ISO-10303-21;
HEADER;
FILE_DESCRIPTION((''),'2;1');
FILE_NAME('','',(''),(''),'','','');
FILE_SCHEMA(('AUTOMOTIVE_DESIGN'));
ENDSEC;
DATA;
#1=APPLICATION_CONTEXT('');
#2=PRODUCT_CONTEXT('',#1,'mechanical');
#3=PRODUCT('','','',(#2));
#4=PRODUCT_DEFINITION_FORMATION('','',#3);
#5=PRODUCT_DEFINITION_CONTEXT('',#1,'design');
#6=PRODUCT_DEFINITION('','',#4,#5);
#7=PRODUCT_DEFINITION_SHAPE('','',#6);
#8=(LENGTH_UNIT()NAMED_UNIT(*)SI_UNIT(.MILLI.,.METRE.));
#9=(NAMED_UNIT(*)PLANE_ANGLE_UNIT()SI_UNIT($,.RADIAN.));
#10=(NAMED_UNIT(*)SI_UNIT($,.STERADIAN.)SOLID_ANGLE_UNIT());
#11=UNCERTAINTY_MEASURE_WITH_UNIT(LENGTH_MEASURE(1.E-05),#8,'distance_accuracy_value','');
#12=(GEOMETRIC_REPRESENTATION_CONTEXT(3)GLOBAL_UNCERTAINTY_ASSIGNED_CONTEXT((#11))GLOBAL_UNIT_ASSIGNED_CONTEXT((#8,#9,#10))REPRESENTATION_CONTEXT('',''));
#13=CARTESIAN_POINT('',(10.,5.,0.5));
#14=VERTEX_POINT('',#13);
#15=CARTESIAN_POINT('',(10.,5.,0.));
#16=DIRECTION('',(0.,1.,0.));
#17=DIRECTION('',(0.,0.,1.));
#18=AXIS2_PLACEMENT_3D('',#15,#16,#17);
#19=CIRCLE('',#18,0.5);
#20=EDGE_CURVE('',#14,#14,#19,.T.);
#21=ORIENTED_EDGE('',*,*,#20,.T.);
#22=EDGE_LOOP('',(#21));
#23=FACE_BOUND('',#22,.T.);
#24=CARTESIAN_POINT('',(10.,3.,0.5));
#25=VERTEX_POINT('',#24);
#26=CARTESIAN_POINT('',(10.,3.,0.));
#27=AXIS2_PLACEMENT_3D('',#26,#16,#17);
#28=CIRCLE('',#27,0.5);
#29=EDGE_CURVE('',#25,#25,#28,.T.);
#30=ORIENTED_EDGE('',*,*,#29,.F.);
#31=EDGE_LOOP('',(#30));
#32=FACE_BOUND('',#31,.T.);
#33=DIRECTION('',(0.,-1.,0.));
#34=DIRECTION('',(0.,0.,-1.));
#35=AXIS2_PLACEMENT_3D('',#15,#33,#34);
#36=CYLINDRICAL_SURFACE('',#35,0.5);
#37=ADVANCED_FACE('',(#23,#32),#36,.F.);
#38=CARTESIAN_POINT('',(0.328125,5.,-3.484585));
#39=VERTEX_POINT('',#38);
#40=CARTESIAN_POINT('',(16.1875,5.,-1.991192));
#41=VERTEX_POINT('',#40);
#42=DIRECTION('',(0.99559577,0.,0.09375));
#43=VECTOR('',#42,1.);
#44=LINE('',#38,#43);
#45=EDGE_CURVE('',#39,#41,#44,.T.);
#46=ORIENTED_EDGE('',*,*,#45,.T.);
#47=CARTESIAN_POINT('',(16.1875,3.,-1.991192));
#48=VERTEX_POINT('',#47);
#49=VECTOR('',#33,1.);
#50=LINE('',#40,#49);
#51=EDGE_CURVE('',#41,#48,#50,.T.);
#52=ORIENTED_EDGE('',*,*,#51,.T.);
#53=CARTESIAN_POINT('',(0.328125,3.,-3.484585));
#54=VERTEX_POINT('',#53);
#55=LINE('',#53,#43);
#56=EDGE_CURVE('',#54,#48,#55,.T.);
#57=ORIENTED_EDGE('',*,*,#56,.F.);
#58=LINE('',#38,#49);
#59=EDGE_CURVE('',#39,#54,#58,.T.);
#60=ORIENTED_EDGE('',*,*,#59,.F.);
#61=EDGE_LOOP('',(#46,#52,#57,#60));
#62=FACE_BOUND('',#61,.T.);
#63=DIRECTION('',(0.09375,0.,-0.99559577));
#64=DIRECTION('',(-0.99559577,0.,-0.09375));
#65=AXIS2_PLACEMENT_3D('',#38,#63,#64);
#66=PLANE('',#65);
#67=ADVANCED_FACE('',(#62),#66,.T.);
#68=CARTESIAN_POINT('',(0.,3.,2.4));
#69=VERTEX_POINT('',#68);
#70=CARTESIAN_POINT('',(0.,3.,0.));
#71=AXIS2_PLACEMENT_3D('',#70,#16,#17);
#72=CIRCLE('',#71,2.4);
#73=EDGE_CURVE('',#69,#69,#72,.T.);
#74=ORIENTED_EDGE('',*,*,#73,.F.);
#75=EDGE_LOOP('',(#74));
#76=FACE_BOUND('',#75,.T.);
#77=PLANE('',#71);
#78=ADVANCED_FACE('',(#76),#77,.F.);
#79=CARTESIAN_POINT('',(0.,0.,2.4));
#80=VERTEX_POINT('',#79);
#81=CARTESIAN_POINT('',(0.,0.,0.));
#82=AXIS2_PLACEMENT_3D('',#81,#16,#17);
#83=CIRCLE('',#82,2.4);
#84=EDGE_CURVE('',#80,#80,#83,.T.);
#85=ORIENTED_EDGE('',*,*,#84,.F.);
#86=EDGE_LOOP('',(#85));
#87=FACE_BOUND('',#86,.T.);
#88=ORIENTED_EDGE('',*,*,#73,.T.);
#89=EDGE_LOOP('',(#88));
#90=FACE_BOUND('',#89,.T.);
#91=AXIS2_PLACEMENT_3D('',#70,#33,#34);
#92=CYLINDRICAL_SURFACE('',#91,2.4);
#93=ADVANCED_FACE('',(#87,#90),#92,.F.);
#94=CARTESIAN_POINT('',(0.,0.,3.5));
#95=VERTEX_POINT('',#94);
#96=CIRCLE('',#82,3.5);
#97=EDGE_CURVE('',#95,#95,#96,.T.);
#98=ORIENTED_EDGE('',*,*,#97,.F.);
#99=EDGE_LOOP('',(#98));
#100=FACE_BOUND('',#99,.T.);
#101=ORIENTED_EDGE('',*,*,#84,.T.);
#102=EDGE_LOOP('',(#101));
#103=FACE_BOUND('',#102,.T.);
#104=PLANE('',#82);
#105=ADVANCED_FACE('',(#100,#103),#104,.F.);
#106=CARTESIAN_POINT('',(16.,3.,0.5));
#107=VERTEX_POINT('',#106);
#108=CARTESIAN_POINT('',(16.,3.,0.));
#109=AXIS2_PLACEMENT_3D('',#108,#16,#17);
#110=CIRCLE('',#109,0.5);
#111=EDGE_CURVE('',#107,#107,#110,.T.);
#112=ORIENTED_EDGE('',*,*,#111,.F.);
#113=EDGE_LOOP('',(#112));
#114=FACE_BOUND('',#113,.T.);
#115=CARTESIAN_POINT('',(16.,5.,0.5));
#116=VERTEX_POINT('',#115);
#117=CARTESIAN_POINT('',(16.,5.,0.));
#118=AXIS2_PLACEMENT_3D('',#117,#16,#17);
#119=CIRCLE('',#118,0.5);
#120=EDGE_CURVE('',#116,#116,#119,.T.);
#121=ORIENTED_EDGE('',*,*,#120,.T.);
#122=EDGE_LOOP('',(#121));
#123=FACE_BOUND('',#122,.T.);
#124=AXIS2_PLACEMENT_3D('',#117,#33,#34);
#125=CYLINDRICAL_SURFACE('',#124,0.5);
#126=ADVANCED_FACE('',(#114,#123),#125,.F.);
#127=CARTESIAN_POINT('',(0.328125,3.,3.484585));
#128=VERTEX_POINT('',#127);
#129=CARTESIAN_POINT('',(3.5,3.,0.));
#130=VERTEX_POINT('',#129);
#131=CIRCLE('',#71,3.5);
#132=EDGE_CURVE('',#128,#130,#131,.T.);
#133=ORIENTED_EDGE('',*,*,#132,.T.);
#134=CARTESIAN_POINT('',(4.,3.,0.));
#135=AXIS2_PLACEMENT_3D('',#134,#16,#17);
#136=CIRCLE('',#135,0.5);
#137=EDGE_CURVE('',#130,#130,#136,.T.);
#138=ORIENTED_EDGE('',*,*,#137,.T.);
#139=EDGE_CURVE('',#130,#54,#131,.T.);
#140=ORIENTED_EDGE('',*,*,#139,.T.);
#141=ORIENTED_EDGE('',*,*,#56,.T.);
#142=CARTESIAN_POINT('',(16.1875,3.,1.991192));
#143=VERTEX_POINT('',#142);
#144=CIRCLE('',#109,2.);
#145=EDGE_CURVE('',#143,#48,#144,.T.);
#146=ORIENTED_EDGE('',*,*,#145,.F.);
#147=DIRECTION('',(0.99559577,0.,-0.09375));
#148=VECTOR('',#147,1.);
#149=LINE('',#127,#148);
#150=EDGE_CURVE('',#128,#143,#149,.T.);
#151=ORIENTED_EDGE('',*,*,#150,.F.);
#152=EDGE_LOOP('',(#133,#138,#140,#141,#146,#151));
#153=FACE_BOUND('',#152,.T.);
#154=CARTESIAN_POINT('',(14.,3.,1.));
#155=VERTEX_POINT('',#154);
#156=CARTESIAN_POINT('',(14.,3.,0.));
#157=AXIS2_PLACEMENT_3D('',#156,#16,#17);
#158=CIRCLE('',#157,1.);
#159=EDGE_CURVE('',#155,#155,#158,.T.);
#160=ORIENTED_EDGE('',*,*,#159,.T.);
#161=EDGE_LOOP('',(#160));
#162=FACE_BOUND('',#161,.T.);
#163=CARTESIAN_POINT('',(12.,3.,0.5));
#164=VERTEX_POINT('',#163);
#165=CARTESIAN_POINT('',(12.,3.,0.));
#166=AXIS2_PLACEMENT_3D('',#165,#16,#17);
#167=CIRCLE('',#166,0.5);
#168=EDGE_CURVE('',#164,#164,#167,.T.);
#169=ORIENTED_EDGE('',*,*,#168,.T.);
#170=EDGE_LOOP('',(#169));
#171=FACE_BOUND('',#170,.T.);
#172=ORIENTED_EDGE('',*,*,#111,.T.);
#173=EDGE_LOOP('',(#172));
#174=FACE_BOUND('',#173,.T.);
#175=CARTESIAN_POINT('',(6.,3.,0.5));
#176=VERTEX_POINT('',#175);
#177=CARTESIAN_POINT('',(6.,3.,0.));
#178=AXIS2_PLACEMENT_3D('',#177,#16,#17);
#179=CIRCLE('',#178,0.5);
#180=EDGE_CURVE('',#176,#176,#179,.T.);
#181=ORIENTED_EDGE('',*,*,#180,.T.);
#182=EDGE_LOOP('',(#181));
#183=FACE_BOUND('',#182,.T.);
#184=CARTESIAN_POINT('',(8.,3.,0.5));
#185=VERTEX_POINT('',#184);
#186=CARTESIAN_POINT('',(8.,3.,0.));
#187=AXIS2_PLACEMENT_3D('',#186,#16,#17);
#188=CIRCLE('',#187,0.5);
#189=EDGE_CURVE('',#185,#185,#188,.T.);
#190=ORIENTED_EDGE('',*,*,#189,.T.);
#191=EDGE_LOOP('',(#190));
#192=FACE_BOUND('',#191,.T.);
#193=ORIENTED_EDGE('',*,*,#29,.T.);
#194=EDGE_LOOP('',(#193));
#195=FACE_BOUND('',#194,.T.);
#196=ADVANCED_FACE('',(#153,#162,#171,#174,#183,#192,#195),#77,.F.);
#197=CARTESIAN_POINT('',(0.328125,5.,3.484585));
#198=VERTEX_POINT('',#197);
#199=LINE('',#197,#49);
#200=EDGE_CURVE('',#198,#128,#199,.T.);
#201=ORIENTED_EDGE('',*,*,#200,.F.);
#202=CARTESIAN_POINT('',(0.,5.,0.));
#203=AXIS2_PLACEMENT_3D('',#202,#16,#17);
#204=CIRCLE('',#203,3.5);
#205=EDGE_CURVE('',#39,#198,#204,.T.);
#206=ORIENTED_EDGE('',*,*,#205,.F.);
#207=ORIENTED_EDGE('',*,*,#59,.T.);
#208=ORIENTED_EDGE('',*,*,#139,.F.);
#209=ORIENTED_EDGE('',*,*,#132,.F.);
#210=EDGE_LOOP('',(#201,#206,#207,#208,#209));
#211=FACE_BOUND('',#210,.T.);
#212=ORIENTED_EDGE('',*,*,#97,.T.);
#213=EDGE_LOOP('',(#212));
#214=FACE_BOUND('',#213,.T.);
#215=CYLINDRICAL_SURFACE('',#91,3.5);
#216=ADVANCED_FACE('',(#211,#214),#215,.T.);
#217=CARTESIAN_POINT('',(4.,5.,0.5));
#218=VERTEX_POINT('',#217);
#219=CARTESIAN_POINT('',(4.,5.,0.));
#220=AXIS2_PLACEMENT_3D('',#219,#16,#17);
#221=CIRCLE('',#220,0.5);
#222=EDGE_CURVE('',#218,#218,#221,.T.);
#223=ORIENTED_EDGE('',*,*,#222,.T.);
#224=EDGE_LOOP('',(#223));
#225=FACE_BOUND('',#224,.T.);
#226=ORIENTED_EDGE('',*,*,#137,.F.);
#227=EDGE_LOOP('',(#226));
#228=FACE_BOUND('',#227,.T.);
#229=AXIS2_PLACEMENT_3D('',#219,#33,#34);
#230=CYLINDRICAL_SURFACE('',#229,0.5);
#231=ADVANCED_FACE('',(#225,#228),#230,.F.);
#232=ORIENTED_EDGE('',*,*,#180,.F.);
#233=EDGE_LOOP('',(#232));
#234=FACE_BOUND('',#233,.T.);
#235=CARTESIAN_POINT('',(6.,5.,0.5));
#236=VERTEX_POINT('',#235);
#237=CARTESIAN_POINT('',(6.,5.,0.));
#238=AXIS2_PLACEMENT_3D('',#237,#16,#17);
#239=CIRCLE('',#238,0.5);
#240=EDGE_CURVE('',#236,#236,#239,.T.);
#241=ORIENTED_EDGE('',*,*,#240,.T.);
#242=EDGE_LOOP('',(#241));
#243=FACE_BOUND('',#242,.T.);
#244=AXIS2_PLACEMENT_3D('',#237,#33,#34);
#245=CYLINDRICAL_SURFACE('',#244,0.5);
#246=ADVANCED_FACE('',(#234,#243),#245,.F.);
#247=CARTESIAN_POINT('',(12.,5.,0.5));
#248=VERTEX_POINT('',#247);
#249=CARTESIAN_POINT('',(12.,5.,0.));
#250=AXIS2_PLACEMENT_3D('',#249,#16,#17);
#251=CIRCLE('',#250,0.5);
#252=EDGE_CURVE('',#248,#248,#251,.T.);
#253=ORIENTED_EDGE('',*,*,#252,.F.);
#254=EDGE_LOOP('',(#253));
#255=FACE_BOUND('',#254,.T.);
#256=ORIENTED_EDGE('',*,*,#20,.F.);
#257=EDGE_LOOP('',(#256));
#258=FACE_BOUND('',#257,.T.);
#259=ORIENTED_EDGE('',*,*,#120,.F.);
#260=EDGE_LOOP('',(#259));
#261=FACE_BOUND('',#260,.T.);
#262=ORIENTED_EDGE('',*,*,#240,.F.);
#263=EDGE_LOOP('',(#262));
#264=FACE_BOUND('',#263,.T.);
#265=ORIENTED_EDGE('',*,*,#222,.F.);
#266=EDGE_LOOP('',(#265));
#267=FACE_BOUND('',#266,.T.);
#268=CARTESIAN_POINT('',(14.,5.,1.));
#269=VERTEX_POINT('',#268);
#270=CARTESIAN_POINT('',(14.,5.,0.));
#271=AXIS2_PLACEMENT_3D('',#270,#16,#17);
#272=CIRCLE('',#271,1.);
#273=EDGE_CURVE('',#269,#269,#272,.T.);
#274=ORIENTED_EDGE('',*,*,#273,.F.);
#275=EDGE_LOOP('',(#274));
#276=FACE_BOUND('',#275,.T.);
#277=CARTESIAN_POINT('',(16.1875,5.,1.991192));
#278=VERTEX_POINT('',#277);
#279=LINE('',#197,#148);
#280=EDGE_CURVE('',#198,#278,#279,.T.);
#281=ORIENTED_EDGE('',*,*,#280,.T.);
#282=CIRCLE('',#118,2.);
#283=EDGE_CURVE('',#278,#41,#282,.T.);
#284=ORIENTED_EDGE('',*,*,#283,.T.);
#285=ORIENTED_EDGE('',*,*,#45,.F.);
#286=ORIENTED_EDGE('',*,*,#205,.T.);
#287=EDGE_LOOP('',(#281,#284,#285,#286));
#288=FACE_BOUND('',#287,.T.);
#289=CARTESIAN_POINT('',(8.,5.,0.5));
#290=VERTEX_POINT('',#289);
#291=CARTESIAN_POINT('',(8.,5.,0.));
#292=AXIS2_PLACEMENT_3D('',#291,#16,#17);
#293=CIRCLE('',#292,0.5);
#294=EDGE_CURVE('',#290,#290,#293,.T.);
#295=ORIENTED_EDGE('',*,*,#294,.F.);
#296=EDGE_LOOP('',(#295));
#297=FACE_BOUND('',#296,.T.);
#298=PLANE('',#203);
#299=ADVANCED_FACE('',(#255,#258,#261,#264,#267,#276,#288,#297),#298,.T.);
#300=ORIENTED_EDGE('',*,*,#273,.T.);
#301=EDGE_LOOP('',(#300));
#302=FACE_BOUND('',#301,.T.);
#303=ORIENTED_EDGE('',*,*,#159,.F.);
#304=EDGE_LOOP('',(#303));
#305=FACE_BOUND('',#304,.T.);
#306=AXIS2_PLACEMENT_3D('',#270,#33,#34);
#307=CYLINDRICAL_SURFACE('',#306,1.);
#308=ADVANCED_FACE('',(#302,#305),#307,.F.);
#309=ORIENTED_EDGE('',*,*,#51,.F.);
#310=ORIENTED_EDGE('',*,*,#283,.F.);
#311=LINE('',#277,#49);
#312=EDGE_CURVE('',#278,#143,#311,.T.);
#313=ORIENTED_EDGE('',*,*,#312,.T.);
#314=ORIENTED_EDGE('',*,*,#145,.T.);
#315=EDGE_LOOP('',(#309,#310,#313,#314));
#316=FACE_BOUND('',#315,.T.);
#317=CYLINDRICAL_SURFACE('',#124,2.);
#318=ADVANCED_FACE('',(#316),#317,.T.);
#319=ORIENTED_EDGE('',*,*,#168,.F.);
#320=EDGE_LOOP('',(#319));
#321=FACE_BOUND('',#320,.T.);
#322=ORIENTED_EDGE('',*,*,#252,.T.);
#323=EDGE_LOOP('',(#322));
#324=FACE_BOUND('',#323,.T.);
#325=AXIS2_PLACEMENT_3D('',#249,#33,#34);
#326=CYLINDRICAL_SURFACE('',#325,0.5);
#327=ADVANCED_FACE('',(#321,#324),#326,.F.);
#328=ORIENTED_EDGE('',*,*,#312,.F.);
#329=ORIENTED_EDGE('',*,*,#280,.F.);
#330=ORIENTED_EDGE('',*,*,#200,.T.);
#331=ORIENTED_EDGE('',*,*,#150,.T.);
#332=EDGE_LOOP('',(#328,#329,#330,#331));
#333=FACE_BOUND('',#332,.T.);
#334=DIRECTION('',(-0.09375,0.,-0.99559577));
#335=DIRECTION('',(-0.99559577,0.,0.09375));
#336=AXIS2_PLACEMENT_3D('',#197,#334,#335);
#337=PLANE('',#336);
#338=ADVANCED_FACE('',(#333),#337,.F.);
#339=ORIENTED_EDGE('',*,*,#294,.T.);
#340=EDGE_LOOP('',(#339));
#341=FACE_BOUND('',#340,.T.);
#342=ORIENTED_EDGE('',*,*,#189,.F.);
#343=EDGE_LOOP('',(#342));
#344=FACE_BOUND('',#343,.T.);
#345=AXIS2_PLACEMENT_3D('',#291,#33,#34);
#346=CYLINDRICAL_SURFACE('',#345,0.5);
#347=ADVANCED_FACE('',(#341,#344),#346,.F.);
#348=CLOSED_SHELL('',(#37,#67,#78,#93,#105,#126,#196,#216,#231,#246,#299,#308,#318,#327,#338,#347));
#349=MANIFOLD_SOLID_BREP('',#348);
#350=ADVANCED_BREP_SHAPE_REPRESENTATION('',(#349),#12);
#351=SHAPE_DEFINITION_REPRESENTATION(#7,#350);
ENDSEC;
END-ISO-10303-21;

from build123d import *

# Parameters (mm, degrees)
SKETCH1_R           = 3.5
SKETCH1_R_2         = 2.4
BOSS_EXTRUDE1_DEPTH = 3
SKETCH2_R           = 1
SKETCH2_R_2         = 0.5
BOSS_EXTRUDE2_DEPTH = 2


with BuildPart() as part:
    # Sketch1 → Boss-Extrude1 (new body)
    with BuildSketch(Plane(origin=(0, 0, 0), x_dir=(1, 0, 0), z_dir=(0, 1, 0))):
        with Locations(Location((0, 0, 0), (0, 0, 270))):
            Circle(SKETCH1_R)
        with Locations(Location((0, 0, 0), (0, 0, 270))):
            Circle(SKETCH1_R_2, mode=Mode.SUBTRACT)
    extrude(amount=BOSS_EXTRUDE1_DEPTH)

    # Sketch2 → Boss-Extrude2 (add)
    with BuildSketch(Plane(origin=(0, 3, 0), x_dir=(1, 0, 0), z_dir=(0, 1, 0))):
        with BuildLine():
            Line((16.1875, 1.99119154), (0.328125, 3.484585195))
            ThreePointArc((0.328125, 3.484585195), (-3.5, 0), (0.328125, -3.484585195))
            Line((0.328125, -3.484585195), (16.1875, -1.99119154))
            ThreePointArc((16.1875, -1.99119154), (18, 0), (16.1875, 1.99119154))
        make_face()
        with Locations(Location((14, 0, 0), (0, 0, 270))):
            Circle(SKETCH2_R, mode=Mode.SUBTRACT)
        with Locations(Location((4, 0, 0), (0, 0, 180))):
            Circle(SKETCH2_R_2, mode=Mode.SUBTRACT)
        with Locations(Location((6, 0, 0), (0, 0, 270))):
            Circle(SKETCH2_R_2, mode=Mode.SUBTRACT)
        with Locations(Location((8, 0, 0), (0, 0, 270))):
            Circle(SKETCH2_R_2, mode=Mode.SUBTRACT)
        with Locations(Location((10, 0, 0), (0, 0, 270))):
            Circle(SKETCH2_R_2, mode=Mode.SUBTRACT)
        with Locations(Location((12, 0, 0), (0, 0, 270))):
            Circle(SKETCH2_R_2, mode=Mode.SUBTRACT)
        with Locations(Location((16, 0, 0), (0, 0, 270))):
            Circle(SKETCH2_R_2, mode=Mode.SUBTRACT)
    extrude(amount=BOSS_EXTRUDE2_DEPTH)


solid = part.part
